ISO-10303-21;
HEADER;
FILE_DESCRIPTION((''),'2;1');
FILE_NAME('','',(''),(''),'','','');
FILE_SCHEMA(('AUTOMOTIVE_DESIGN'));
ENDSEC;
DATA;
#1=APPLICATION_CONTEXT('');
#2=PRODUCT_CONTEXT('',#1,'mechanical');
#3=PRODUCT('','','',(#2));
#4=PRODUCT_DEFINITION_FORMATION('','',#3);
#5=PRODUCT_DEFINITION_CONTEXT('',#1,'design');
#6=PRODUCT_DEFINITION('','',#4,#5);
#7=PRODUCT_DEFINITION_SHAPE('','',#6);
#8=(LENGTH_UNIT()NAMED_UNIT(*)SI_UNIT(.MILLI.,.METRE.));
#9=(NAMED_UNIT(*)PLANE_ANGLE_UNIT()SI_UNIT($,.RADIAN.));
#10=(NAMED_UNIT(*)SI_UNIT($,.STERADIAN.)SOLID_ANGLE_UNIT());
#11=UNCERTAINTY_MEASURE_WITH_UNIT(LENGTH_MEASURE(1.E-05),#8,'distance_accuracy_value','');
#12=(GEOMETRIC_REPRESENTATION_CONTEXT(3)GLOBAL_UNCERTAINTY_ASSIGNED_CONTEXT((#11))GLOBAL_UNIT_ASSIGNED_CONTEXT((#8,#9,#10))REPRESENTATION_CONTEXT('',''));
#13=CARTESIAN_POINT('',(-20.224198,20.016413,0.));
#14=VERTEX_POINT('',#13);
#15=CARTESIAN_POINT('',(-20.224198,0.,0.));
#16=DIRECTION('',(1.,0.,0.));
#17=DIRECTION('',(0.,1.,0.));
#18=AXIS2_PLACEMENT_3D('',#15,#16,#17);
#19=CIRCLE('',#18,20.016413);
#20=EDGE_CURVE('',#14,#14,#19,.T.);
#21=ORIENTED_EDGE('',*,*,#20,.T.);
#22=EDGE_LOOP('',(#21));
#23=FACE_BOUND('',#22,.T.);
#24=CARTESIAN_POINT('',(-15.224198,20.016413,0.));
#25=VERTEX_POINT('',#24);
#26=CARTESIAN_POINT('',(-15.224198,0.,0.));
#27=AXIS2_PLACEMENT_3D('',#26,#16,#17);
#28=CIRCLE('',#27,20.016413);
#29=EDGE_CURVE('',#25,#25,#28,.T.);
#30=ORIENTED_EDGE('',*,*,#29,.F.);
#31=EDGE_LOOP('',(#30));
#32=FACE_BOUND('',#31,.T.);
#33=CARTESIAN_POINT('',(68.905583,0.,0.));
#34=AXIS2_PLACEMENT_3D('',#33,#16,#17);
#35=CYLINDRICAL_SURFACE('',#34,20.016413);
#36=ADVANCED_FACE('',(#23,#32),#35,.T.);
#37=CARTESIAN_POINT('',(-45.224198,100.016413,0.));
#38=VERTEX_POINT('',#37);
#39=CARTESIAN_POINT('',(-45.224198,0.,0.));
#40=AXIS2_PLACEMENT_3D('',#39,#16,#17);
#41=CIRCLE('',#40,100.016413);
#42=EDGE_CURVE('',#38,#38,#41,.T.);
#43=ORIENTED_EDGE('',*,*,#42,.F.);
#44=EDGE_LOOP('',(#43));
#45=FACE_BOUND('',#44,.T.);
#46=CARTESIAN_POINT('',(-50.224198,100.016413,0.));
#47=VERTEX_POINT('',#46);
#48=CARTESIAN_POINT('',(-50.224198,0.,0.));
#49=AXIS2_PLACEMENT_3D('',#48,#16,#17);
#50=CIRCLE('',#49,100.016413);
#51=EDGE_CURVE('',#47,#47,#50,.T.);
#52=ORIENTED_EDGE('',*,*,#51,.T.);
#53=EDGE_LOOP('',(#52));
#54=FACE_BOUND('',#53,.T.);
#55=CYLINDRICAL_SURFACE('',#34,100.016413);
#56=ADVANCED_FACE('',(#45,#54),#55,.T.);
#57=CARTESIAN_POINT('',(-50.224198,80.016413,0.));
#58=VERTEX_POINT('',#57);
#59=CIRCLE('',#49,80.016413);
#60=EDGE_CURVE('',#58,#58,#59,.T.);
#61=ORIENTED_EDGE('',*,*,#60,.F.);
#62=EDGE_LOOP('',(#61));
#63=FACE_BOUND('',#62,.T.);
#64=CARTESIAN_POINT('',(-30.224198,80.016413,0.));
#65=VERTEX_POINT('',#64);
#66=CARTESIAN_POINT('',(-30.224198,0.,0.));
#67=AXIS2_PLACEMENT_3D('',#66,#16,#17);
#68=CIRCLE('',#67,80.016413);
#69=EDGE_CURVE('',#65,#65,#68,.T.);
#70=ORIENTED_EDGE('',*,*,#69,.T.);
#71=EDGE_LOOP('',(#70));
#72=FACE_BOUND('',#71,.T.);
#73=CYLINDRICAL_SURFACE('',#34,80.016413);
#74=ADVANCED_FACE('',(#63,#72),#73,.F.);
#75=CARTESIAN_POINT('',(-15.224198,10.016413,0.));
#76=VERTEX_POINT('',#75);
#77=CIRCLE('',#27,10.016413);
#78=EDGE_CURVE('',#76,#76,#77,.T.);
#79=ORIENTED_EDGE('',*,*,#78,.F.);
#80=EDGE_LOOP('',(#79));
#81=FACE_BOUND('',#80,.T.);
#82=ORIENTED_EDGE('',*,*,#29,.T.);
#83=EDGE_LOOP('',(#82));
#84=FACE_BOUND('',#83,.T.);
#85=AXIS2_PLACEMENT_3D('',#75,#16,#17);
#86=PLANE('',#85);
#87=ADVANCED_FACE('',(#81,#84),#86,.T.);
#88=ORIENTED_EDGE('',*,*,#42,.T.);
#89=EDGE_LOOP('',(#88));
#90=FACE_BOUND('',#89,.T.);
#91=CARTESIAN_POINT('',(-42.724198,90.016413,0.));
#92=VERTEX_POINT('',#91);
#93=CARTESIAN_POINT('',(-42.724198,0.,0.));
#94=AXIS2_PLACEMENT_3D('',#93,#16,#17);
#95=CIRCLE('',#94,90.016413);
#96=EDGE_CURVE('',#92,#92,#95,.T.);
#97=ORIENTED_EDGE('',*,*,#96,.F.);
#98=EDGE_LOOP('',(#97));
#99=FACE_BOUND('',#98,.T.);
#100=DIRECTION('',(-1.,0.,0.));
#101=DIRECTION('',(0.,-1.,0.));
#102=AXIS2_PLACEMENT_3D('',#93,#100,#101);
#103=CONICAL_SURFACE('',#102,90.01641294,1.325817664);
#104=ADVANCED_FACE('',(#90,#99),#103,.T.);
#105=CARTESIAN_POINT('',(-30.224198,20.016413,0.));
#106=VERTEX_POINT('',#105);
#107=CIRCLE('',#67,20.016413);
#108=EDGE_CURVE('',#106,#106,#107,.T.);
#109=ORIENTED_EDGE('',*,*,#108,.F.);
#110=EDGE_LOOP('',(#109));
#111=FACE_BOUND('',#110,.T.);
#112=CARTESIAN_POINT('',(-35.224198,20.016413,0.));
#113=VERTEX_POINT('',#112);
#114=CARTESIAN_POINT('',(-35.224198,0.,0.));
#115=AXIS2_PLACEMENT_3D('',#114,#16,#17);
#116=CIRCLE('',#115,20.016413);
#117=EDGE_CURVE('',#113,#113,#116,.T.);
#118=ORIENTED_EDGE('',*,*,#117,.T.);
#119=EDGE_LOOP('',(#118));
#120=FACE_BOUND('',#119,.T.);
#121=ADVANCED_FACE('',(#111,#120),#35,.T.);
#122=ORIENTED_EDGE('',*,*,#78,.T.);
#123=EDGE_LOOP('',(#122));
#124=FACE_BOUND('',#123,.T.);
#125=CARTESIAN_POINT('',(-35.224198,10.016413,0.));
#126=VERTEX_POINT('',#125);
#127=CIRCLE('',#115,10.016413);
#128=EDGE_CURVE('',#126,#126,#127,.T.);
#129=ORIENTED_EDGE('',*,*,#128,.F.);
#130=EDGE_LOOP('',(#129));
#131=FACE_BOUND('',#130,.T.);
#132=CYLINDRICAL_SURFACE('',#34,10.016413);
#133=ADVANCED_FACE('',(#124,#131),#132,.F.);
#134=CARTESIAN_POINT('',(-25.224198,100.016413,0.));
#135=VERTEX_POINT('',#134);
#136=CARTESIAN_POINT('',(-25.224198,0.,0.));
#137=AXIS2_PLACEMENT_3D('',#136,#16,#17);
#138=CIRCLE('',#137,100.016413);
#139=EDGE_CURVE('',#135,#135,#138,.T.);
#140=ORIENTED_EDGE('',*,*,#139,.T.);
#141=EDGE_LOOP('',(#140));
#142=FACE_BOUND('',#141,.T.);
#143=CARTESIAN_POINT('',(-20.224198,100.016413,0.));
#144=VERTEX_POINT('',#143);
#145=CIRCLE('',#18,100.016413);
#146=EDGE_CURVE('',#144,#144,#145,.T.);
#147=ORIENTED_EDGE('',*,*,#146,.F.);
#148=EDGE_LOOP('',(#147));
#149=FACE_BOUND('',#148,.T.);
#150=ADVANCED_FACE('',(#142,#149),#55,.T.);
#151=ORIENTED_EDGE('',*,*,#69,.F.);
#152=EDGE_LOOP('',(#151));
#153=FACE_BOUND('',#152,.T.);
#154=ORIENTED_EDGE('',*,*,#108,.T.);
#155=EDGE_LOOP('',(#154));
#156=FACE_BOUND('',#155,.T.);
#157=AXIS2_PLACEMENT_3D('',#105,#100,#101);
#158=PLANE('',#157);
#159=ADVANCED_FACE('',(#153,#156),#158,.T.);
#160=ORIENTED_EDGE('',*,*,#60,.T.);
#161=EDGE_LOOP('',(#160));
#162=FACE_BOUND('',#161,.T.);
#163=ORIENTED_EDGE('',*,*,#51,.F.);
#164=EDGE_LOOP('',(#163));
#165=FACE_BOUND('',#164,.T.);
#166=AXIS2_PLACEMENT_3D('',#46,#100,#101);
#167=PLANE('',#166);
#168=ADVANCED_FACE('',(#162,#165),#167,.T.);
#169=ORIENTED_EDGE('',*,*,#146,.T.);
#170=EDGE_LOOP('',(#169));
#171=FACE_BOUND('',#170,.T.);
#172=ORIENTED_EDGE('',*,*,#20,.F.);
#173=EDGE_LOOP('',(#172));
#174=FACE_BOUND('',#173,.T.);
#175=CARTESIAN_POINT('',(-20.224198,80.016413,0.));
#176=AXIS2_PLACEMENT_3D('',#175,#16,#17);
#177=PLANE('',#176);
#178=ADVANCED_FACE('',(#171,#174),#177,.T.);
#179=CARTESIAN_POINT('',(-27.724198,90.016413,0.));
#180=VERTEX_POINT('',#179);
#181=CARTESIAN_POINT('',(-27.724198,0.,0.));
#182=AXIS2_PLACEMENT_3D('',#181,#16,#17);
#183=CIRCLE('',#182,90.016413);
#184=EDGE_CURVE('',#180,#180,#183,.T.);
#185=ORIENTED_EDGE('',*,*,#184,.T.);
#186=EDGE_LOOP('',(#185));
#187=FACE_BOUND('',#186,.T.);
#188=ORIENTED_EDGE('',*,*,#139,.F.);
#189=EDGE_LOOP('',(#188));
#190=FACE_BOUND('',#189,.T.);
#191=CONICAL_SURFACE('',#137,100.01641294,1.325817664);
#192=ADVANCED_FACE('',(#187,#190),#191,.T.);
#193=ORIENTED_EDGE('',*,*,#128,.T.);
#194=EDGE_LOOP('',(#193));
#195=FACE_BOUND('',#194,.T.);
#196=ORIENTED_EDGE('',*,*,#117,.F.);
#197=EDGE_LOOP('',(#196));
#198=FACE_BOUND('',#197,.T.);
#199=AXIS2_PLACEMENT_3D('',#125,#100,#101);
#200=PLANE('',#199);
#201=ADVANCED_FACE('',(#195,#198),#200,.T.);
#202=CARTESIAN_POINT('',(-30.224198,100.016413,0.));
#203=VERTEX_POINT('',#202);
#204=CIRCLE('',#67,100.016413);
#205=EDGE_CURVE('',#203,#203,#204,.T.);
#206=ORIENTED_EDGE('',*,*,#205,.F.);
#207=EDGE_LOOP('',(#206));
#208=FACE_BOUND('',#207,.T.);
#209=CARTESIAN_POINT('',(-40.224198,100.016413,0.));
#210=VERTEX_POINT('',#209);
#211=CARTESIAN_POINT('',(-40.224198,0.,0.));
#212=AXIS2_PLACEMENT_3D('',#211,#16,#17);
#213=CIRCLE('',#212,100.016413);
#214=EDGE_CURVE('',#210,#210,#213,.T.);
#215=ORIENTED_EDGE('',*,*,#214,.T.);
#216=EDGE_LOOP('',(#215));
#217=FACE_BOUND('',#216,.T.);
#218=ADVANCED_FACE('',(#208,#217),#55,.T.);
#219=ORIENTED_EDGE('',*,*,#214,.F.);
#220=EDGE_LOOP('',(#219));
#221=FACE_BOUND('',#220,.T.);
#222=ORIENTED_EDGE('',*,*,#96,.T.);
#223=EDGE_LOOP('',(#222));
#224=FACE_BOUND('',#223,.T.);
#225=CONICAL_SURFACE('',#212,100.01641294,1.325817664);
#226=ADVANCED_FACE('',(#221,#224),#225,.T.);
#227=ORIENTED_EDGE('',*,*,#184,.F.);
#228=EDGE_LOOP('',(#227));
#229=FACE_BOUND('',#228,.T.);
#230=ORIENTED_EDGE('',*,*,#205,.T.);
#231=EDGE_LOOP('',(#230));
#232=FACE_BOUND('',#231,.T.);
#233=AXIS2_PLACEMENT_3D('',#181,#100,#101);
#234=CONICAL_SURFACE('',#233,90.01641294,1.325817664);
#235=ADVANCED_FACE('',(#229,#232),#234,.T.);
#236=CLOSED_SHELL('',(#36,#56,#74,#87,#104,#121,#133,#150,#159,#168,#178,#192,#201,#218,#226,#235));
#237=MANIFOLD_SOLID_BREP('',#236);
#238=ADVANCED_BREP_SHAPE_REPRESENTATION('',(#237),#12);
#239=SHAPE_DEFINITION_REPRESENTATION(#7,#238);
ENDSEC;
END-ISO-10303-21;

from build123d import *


with BuildPart() as part:
    # Croquis1 → Revolución3 (revolve)
    with BuildSketch(Plane.XY):
        Polygon((-15.224198293, 10.01641294), (-35.224198293, 10.01641294), (-35.224198293, 20.01641294), (-30.224198293, 20.01641294), (-30.224198293, 80.01641294), (-50.224198293, 80.01641294), (-50.224198293, 100.01641294), (-45.224198293, 100.01641294), (-42.724198293, 90.01641294), (-40.224198293, 100.01641294), (-30.224198293, 100.01641294), (-27.724198293, 90.01641294), (-25.224198293, 100.01641294), (-20.224198293, 100.01641294), (-20.224198293, 80.01641294), (-20.224198293, 20.01641294), (-15.224198293, 20.01641294), align=None)
    revolve(axis=Axis((68.905582562, 0, 0), (-1, 0, 0)))


solid = part.part
